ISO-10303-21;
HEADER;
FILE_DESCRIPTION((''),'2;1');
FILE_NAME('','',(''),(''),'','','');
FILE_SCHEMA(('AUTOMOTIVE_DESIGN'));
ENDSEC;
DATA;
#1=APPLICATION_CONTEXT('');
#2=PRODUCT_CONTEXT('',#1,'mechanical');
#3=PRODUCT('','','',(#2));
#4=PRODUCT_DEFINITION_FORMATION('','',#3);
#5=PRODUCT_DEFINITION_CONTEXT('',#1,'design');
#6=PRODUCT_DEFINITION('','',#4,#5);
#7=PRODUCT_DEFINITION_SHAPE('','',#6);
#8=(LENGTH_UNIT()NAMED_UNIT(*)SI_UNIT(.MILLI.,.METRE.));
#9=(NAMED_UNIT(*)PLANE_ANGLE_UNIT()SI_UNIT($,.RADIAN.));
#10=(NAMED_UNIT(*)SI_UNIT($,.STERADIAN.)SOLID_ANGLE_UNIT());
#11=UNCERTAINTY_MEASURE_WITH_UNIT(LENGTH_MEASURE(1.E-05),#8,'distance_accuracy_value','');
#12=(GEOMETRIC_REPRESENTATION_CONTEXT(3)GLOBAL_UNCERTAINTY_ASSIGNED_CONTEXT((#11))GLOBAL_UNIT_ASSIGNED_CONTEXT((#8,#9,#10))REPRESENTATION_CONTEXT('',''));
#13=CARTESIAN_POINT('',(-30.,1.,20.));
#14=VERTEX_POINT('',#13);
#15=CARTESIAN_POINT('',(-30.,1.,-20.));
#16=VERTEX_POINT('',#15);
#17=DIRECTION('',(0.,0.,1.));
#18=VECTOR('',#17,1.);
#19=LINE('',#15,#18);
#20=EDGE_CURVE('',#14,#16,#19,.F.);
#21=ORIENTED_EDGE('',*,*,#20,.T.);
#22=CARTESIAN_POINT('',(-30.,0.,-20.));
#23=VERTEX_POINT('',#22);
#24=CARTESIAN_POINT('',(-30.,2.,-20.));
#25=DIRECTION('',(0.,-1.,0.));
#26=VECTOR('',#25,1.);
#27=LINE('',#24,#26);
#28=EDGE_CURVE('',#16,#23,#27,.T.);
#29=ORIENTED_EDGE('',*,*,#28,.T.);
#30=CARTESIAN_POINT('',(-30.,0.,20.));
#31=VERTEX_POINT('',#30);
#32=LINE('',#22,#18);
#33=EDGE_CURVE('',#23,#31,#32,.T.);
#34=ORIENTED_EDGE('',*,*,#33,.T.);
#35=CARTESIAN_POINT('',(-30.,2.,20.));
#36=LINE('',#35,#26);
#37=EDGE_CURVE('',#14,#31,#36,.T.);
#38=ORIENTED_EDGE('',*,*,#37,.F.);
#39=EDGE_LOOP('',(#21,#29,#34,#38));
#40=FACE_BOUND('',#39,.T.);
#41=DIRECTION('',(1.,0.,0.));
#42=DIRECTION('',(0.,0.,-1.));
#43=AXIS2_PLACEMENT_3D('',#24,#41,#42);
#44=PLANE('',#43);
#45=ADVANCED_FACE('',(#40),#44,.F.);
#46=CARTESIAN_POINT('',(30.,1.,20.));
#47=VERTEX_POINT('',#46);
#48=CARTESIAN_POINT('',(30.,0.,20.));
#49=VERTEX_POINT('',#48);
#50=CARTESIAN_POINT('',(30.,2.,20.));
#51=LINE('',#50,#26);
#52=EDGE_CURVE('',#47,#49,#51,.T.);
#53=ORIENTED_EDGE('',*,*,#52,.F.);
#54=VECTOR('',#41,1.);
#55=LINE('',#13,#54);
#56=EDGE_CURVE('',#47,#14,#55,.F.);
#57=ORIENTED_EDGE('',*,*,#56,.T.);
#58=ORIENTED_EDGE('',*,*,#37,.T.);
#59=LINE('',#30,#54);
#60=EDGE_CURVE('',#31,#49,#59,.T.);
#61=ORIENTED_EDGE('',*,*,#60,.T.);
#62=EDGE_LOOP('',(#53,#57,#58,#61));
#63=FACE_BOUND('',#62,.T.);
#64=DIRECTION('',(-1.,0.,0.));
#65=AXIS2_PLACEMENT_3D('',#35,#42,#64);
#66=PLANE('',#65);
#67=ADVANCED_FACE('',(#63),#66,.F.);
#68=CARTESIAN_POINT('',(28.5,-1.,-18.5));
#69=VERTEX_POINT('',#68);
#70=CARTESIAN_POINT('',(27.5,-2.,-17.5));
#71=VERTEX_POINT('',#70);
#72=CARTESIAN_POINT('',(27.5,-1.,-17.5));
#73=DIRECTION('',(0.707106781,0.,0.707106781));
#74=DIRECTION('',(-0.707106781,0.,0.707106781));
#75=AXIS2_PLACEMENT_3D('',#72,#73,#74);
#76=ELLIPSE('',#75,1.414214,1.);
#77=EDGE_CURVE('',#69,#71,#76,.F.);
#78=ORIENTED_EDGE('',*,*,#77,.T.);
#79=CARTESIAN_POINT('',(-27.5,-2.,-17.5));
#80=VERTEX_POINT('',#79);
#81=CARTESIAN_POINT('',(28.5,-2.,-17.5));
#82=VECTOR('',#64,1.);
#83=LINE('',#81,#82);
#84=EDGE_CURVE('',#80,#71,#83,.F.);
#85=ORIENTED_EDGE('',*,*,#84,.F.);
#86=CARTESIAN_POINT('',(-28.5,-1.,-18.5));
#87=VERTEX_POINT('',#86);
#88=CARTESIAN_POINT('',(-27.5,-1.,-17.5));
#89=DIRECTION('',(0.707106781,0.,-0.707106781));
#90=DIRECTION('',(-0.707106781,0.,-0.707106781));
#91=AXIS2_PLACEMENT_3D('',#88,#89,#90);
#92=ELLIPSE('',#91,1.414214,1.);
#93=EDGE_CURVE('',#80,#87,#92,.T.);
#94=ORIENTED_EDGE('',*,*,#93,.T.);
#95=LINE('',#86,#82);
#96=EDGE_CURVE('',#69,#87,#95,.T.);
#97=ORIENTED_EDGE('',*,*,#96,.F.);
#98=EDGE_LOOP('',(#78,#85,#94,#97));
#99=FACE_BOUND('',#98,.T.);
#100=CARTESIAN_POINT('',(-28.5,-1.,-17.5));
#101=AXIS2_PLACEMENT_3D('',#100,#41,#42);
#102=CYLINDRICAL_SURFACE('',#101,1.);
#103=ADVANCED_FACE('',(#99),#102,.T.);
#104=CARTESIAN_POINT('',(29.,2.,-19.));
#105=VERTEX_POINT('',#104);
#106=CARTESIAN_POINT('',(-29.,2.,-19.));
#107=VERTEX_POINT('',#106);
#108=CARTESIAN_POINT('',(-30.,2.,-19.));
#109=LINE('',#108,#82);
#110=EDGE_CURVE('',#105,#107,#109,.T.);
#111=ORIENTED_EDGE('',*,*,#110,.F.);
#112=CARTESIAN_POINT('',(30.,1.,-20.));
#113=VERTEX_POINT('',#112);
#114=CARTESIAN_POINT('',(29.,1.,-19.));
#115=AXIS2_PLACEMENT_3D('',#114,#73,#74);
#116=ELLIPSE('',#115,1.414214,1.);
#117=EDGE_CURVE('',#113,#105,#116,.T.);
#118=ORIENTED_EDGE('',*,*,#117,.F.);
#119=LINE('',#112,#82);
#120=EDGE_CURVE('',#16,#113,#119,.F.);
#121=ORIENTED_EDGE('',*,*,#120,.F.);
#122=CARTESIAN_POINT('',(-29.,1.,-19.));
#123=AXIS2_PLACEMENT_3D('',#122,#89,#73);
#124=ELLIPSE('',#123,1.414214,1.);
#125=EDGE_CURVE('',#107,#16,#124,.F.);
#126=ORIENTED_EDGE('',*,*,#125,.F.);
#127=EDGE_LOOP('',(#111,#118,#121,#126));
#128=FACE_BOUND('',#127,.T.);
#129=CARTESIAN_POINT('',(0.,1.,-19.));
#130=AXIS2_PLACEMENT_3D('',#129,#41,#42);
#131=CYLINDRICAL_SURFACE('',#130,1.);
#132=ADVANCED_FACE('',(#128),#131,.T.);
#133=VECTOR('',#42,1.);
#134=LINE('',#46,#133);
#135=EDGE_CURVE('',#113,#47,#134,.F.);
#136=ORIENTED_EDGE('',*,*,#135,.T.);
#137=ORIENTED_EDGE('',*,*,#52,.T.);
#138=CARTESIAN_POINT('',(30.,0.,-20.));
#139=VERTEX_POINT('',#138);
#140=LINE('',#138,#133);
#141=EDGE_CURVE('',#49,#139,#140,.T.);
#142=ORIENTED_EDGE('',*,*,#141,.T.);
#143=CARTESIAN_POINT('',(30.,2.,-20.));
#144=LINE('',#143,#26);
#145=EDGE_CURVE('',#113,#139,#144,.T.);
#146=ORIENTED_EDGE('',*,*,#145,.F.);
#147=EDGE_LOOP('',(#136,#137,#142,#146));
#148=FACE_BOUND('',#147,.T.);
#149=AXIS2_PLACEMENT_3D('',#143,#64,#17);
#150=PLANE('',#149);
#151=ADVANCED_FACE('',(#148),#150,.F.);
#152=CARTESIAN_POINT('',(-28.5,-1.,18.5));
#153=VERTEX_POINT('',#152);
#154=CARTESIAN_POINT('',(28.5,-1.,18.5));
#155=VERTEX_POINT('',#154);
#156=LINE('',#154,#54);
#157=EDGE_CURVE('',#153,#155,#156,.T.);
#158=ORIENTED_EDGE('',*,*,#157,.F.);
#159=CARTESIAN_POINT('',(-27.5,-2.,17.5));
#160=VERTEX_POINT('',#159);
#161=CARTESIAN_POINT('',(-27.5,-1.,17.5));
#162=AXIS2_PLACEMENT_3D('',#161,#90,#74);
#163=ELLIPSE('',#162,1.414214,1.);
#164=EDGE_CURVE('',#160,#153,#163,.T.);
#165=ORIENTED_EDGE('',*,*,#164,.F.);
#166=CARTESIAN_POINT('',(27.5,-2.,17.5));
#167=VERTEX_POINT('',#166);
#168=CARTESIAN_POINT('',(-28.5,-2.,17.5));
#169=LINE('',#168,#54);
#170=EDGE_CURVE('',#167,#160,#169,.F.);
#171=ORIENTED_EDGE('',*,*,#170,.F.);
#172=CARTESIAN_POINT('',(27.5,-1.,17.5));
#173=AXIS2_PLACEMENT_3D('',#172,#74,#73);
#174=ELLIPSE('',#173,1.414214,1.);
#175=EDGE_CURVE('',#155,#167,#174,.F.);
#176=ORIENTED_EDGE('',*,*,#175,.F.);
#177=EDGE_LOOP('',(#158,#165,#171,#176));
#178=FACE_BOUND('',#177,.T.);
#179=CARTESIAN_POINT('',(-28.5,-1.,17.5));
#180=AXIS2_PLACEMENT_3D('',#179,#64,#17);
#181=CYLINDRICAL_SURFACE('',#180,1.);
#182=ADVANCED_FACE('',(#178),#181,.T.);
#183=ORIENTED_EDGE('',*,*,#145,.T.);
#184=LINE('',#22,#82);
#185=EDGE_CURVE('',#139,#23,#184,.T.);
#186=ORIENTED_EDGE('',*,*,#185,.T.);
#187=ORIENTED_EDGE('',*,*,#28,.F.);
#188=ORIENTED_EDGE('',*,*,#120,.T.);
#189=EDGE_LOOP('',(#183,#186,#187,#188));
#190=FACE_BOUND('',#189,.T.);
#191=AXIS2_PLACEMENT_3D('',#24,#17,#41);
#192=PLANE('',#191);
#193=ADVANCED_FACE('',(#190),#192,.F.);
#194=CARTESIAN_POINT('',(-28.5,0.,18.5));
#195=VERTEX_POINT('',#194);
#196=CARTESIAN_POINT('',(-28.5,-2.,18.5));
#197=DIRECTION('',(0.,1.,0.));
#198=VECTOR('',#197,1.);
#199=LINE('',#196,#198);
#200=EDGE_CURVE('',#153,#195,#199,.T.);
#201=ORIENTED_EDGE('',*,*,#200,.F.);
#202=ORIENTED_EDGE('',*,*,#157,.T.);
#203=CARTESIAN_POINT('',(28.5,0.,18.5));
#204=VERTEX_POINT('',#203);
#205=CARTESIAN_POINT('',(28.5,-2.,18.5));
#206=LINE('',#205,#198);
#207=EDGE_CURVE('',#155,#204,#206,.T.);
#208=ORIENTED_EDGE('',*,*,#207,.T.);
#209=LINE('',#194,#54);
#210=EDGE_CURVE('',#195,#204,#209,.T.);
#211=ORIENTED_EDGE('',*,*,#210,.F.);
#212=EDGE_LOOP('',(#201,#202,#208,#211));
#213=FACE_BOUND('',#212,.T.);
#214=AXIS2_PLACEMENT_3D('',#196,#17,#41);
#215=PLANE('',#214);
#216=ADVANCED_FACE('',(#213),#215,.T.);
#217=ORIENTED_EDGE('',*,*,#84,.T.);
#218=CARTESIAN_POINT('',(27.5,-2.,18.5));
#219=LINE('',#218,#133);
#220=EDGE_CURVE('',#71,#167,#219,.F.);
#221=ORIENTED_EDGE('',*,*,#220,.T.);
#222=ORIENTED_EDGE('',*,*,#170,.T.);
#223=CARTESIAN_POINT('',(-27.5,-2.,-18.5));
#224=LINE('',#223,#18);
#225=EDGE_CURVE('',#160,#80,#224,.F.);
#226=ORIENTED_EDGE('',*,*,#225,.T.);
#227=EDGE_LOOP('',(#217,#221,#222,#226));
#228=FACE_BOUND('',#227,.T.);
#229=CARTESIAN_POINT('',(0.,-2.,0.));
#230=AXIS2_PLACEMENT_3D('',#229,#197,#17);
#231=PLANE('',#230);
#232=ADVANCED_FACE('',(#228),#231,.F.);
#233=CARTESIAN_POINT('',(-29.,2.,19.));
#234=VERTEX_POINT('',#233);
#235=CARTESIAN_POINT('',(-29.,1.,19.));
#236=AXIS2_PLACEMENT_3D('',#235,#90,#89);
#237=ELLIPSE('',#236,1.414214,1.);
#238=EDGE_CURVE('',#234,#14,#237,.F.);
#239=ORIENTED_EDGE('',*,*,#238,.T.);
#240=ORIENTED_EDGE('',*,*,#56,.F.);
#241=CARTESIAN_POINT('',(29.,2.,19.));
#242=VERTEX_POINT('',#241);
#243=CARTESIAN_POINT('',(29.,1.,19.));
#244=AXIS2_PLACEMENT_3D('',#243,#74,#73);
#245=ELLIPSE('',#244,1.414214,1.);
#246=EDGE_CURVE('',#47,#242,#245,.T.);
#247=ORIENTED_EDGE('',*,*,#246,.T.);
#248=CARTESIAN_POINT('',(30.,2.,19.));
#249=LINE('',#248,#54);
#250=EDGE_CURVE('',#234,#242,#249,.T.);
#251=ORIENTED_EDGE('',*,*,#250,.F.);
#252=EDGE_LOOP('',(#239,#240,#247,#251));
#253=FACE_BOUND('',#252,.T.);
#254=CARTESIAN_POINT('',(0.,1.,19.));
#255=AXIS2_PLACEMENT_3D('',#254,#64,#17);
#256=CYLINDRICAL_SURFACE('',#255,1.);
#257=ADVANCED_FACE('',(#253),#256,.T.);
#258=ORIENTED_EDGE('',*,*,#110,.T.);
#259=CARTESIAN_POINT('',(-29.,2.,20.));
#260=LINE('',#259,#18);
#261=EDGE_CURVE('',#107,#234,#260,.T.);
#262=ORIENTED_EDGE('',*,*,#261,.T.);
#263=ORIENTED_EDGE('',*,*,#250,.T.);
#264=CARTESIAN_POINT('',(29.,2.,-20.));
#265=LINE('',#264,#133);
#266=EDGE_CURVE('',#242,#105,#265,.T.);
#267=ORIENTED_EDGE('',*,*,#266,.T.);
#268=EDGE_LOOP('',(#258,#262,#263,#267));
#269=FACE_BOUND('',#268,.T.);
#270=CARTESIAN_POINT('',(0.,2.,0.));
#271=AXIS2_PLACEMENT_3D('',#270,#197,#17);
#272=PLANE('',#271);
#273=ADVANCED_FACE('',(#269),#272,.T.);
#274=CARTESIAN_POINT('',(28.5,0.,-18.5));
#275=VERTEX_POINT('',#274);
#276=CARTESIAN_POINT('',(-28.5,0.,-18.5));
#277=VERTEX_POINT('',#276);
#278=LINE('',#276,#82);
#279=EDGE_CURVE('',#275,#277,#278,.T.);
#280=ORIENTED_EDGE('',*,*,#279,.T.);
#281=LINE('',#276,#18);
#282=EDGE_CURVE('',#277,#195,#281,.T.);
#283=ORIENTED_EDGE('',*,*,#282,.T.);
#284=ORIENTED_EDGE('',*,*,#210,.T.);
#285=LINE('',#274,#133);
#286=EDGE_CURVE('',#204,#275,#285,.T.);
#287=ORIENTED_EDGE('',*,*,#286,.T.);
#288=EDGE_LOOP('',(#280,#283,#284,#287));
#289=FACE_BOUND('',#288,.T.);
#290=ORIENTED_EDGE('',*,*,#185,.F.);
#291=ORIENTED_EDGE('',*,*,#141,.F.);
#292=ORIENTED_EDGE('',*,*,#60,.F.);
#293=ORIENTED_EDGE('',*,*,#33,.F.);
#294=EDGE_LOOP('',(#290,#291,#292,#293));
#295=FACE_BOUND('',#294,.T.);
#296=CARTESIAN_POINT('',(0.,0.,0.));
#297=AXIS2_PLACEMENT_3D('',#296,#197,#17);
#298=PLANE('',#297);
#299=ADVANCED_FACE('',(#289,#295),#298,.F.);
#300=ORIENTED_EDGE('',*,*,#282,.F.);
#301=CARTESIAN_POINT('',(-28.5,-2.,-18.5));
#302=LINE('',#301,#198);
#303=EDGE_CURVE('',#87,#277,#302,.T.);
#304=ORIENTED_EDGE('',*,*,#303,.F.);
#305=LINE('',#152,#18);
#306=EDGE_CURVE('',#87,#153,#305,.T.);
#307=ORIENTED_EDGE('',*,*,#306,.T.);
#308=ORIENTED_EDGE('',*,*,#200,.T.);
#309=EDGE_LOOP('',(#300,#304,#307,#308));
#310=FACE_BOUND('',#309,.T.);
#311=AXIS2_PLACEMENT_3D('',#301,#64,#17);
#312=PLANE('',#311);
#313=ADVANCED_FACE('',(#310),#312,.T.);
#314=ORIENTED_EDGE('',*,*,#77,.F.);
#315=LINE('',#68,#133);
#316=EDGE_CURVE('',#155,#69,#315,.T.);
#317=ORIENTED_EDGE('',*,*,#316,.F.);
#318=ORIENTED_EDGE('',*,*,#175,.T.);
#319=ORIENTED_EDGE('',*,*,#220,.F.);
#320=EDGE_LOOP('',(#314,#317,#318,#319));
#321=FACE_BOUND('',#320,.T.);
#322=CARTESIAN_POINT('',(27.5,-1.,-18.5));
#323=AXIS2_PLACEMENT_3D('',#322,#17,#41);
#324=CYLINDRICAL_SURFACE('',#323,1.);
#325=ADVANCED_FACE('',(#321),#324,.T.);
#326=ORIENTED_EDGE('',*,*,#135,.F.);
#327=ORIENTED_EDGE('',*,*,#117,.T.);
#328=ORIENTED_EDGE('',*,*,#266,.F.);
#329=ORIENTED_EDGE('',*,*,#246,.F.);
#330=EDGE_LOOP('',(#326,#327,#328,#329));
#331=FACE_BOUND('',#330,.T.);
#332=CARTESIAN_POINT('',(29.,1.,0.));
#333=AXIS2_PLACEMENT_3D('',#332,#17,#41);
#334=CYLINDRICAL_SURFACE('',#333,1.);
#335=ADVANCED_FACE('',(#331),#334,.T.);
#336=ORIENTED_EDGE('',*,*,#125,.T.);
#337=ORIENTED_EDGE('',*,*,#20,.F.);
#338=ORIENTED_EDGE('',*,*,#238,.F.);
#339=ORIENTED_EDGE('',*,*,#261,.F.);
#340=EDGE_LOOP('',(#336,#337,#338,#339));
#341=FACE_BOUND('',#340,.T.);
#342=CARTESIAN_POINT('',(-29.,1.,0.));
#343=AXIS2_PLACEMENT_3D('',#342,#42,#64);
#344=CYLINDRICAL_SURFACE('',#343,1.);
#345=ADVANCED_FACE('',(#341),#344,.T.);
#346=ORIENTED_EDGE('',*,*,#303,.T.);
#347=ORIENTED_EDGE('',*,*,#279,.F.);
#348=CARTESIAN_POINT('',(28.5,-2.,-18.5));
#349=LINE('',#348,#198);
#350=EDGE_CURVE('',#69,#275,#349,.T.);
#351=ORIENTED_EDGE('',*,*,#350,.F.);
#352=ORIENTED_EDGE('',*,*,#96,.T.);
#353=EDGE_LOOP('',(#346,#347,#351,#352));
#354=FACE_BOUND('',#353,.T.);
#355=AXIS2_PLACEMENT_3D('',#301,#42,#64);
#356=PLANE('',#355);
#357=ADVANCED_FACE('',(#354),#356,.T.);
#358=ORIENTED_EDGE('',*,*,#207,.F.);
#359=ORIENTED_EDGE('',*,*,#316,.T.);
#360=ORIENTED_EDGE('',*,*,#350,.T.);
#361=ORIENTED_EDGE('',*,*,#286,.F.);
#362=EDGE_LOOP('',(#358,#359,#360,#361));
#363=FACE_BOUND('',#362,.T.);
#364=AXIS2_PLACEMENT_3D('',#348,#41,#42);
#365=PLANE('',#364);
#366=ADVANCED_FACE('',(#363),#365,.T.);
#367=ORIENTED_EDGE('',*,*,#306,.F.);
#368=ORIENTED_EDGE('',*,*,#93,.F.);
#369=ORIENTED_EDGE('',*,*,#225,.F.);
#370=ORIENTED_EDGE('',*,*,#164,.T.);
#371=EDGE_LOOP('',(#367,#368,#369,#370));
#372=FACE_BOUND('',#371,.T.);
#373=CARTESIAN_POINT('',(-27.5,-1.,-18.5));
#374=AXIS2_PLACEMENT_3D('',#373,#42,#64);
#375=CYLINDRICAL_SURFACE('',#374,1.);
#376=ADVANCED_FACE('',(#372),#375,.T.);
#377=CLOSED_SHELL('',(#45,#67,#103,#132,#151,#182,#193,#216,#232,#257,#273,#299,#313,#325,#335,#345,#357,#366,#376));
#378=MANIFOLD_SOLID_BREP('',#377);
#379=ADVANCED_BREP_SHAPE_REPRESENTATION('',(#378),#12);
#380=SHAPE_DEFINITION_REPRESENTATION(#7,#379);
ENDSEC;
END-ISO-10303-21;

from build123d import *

# Parameters (mm, degrees)
SKETCH1_W           = 60
SKETCH1_H           = 40
BOSS_EXTRUDE1_DEPTH = 2
SKETCH2_W           = 57
SKETCH2_H           = 37
BOSS_EXTRUDE2_DEPTH = 2
FILLET1_R           = 1
FILLET2_R           = 1


with BuildPart() as part:
    # Sketch1 → Boss-Extrude1 (new body)
    with BuildSketch(Plane(origin=(0, 0, 0), x_dir=(1, 0, 0), z_dir=(0, 1, 0))):
        Rectangle(SKETCH1_W, SKETCH1_H)
    extrude(amount=BOSS_EXTRUDE1_DEPTH)

    # Sketch2 → Boss-Extrude2 (add)
    with BuildSketch(Plane(origin=(0, 0, 0), x_dir=(1, 0, 0), z_dir=(0, 1, 0))):
        Rectangle(SKETCH2_W, SKETCH2_H)
    extrude(amount=-BOSS_EXTRUDE2_DEPTH)

    # Fillet1
    fillet1_edges = [part.edges().sort_by_distance(p)[0] for p in [
        (-30, 2, 0),
        (0, 2, 20),
        (30, 2, 0),
        (0, 2, -20),
    ]]
    fillet(fillet1_edges, radius=FILLET1_R)

    # Fillet2
    fillet2_edges = [part.edges().sort_by_distance(p)[0] for p in [
        (28.5, -2, 0),
        (0, -2, 18.5),
        (-28.5, -2, 0),
        (0, -2, -18.5),
    ]]
    fillet(fillet2_edges, radius=FILLET2_R)


solid = part.part
